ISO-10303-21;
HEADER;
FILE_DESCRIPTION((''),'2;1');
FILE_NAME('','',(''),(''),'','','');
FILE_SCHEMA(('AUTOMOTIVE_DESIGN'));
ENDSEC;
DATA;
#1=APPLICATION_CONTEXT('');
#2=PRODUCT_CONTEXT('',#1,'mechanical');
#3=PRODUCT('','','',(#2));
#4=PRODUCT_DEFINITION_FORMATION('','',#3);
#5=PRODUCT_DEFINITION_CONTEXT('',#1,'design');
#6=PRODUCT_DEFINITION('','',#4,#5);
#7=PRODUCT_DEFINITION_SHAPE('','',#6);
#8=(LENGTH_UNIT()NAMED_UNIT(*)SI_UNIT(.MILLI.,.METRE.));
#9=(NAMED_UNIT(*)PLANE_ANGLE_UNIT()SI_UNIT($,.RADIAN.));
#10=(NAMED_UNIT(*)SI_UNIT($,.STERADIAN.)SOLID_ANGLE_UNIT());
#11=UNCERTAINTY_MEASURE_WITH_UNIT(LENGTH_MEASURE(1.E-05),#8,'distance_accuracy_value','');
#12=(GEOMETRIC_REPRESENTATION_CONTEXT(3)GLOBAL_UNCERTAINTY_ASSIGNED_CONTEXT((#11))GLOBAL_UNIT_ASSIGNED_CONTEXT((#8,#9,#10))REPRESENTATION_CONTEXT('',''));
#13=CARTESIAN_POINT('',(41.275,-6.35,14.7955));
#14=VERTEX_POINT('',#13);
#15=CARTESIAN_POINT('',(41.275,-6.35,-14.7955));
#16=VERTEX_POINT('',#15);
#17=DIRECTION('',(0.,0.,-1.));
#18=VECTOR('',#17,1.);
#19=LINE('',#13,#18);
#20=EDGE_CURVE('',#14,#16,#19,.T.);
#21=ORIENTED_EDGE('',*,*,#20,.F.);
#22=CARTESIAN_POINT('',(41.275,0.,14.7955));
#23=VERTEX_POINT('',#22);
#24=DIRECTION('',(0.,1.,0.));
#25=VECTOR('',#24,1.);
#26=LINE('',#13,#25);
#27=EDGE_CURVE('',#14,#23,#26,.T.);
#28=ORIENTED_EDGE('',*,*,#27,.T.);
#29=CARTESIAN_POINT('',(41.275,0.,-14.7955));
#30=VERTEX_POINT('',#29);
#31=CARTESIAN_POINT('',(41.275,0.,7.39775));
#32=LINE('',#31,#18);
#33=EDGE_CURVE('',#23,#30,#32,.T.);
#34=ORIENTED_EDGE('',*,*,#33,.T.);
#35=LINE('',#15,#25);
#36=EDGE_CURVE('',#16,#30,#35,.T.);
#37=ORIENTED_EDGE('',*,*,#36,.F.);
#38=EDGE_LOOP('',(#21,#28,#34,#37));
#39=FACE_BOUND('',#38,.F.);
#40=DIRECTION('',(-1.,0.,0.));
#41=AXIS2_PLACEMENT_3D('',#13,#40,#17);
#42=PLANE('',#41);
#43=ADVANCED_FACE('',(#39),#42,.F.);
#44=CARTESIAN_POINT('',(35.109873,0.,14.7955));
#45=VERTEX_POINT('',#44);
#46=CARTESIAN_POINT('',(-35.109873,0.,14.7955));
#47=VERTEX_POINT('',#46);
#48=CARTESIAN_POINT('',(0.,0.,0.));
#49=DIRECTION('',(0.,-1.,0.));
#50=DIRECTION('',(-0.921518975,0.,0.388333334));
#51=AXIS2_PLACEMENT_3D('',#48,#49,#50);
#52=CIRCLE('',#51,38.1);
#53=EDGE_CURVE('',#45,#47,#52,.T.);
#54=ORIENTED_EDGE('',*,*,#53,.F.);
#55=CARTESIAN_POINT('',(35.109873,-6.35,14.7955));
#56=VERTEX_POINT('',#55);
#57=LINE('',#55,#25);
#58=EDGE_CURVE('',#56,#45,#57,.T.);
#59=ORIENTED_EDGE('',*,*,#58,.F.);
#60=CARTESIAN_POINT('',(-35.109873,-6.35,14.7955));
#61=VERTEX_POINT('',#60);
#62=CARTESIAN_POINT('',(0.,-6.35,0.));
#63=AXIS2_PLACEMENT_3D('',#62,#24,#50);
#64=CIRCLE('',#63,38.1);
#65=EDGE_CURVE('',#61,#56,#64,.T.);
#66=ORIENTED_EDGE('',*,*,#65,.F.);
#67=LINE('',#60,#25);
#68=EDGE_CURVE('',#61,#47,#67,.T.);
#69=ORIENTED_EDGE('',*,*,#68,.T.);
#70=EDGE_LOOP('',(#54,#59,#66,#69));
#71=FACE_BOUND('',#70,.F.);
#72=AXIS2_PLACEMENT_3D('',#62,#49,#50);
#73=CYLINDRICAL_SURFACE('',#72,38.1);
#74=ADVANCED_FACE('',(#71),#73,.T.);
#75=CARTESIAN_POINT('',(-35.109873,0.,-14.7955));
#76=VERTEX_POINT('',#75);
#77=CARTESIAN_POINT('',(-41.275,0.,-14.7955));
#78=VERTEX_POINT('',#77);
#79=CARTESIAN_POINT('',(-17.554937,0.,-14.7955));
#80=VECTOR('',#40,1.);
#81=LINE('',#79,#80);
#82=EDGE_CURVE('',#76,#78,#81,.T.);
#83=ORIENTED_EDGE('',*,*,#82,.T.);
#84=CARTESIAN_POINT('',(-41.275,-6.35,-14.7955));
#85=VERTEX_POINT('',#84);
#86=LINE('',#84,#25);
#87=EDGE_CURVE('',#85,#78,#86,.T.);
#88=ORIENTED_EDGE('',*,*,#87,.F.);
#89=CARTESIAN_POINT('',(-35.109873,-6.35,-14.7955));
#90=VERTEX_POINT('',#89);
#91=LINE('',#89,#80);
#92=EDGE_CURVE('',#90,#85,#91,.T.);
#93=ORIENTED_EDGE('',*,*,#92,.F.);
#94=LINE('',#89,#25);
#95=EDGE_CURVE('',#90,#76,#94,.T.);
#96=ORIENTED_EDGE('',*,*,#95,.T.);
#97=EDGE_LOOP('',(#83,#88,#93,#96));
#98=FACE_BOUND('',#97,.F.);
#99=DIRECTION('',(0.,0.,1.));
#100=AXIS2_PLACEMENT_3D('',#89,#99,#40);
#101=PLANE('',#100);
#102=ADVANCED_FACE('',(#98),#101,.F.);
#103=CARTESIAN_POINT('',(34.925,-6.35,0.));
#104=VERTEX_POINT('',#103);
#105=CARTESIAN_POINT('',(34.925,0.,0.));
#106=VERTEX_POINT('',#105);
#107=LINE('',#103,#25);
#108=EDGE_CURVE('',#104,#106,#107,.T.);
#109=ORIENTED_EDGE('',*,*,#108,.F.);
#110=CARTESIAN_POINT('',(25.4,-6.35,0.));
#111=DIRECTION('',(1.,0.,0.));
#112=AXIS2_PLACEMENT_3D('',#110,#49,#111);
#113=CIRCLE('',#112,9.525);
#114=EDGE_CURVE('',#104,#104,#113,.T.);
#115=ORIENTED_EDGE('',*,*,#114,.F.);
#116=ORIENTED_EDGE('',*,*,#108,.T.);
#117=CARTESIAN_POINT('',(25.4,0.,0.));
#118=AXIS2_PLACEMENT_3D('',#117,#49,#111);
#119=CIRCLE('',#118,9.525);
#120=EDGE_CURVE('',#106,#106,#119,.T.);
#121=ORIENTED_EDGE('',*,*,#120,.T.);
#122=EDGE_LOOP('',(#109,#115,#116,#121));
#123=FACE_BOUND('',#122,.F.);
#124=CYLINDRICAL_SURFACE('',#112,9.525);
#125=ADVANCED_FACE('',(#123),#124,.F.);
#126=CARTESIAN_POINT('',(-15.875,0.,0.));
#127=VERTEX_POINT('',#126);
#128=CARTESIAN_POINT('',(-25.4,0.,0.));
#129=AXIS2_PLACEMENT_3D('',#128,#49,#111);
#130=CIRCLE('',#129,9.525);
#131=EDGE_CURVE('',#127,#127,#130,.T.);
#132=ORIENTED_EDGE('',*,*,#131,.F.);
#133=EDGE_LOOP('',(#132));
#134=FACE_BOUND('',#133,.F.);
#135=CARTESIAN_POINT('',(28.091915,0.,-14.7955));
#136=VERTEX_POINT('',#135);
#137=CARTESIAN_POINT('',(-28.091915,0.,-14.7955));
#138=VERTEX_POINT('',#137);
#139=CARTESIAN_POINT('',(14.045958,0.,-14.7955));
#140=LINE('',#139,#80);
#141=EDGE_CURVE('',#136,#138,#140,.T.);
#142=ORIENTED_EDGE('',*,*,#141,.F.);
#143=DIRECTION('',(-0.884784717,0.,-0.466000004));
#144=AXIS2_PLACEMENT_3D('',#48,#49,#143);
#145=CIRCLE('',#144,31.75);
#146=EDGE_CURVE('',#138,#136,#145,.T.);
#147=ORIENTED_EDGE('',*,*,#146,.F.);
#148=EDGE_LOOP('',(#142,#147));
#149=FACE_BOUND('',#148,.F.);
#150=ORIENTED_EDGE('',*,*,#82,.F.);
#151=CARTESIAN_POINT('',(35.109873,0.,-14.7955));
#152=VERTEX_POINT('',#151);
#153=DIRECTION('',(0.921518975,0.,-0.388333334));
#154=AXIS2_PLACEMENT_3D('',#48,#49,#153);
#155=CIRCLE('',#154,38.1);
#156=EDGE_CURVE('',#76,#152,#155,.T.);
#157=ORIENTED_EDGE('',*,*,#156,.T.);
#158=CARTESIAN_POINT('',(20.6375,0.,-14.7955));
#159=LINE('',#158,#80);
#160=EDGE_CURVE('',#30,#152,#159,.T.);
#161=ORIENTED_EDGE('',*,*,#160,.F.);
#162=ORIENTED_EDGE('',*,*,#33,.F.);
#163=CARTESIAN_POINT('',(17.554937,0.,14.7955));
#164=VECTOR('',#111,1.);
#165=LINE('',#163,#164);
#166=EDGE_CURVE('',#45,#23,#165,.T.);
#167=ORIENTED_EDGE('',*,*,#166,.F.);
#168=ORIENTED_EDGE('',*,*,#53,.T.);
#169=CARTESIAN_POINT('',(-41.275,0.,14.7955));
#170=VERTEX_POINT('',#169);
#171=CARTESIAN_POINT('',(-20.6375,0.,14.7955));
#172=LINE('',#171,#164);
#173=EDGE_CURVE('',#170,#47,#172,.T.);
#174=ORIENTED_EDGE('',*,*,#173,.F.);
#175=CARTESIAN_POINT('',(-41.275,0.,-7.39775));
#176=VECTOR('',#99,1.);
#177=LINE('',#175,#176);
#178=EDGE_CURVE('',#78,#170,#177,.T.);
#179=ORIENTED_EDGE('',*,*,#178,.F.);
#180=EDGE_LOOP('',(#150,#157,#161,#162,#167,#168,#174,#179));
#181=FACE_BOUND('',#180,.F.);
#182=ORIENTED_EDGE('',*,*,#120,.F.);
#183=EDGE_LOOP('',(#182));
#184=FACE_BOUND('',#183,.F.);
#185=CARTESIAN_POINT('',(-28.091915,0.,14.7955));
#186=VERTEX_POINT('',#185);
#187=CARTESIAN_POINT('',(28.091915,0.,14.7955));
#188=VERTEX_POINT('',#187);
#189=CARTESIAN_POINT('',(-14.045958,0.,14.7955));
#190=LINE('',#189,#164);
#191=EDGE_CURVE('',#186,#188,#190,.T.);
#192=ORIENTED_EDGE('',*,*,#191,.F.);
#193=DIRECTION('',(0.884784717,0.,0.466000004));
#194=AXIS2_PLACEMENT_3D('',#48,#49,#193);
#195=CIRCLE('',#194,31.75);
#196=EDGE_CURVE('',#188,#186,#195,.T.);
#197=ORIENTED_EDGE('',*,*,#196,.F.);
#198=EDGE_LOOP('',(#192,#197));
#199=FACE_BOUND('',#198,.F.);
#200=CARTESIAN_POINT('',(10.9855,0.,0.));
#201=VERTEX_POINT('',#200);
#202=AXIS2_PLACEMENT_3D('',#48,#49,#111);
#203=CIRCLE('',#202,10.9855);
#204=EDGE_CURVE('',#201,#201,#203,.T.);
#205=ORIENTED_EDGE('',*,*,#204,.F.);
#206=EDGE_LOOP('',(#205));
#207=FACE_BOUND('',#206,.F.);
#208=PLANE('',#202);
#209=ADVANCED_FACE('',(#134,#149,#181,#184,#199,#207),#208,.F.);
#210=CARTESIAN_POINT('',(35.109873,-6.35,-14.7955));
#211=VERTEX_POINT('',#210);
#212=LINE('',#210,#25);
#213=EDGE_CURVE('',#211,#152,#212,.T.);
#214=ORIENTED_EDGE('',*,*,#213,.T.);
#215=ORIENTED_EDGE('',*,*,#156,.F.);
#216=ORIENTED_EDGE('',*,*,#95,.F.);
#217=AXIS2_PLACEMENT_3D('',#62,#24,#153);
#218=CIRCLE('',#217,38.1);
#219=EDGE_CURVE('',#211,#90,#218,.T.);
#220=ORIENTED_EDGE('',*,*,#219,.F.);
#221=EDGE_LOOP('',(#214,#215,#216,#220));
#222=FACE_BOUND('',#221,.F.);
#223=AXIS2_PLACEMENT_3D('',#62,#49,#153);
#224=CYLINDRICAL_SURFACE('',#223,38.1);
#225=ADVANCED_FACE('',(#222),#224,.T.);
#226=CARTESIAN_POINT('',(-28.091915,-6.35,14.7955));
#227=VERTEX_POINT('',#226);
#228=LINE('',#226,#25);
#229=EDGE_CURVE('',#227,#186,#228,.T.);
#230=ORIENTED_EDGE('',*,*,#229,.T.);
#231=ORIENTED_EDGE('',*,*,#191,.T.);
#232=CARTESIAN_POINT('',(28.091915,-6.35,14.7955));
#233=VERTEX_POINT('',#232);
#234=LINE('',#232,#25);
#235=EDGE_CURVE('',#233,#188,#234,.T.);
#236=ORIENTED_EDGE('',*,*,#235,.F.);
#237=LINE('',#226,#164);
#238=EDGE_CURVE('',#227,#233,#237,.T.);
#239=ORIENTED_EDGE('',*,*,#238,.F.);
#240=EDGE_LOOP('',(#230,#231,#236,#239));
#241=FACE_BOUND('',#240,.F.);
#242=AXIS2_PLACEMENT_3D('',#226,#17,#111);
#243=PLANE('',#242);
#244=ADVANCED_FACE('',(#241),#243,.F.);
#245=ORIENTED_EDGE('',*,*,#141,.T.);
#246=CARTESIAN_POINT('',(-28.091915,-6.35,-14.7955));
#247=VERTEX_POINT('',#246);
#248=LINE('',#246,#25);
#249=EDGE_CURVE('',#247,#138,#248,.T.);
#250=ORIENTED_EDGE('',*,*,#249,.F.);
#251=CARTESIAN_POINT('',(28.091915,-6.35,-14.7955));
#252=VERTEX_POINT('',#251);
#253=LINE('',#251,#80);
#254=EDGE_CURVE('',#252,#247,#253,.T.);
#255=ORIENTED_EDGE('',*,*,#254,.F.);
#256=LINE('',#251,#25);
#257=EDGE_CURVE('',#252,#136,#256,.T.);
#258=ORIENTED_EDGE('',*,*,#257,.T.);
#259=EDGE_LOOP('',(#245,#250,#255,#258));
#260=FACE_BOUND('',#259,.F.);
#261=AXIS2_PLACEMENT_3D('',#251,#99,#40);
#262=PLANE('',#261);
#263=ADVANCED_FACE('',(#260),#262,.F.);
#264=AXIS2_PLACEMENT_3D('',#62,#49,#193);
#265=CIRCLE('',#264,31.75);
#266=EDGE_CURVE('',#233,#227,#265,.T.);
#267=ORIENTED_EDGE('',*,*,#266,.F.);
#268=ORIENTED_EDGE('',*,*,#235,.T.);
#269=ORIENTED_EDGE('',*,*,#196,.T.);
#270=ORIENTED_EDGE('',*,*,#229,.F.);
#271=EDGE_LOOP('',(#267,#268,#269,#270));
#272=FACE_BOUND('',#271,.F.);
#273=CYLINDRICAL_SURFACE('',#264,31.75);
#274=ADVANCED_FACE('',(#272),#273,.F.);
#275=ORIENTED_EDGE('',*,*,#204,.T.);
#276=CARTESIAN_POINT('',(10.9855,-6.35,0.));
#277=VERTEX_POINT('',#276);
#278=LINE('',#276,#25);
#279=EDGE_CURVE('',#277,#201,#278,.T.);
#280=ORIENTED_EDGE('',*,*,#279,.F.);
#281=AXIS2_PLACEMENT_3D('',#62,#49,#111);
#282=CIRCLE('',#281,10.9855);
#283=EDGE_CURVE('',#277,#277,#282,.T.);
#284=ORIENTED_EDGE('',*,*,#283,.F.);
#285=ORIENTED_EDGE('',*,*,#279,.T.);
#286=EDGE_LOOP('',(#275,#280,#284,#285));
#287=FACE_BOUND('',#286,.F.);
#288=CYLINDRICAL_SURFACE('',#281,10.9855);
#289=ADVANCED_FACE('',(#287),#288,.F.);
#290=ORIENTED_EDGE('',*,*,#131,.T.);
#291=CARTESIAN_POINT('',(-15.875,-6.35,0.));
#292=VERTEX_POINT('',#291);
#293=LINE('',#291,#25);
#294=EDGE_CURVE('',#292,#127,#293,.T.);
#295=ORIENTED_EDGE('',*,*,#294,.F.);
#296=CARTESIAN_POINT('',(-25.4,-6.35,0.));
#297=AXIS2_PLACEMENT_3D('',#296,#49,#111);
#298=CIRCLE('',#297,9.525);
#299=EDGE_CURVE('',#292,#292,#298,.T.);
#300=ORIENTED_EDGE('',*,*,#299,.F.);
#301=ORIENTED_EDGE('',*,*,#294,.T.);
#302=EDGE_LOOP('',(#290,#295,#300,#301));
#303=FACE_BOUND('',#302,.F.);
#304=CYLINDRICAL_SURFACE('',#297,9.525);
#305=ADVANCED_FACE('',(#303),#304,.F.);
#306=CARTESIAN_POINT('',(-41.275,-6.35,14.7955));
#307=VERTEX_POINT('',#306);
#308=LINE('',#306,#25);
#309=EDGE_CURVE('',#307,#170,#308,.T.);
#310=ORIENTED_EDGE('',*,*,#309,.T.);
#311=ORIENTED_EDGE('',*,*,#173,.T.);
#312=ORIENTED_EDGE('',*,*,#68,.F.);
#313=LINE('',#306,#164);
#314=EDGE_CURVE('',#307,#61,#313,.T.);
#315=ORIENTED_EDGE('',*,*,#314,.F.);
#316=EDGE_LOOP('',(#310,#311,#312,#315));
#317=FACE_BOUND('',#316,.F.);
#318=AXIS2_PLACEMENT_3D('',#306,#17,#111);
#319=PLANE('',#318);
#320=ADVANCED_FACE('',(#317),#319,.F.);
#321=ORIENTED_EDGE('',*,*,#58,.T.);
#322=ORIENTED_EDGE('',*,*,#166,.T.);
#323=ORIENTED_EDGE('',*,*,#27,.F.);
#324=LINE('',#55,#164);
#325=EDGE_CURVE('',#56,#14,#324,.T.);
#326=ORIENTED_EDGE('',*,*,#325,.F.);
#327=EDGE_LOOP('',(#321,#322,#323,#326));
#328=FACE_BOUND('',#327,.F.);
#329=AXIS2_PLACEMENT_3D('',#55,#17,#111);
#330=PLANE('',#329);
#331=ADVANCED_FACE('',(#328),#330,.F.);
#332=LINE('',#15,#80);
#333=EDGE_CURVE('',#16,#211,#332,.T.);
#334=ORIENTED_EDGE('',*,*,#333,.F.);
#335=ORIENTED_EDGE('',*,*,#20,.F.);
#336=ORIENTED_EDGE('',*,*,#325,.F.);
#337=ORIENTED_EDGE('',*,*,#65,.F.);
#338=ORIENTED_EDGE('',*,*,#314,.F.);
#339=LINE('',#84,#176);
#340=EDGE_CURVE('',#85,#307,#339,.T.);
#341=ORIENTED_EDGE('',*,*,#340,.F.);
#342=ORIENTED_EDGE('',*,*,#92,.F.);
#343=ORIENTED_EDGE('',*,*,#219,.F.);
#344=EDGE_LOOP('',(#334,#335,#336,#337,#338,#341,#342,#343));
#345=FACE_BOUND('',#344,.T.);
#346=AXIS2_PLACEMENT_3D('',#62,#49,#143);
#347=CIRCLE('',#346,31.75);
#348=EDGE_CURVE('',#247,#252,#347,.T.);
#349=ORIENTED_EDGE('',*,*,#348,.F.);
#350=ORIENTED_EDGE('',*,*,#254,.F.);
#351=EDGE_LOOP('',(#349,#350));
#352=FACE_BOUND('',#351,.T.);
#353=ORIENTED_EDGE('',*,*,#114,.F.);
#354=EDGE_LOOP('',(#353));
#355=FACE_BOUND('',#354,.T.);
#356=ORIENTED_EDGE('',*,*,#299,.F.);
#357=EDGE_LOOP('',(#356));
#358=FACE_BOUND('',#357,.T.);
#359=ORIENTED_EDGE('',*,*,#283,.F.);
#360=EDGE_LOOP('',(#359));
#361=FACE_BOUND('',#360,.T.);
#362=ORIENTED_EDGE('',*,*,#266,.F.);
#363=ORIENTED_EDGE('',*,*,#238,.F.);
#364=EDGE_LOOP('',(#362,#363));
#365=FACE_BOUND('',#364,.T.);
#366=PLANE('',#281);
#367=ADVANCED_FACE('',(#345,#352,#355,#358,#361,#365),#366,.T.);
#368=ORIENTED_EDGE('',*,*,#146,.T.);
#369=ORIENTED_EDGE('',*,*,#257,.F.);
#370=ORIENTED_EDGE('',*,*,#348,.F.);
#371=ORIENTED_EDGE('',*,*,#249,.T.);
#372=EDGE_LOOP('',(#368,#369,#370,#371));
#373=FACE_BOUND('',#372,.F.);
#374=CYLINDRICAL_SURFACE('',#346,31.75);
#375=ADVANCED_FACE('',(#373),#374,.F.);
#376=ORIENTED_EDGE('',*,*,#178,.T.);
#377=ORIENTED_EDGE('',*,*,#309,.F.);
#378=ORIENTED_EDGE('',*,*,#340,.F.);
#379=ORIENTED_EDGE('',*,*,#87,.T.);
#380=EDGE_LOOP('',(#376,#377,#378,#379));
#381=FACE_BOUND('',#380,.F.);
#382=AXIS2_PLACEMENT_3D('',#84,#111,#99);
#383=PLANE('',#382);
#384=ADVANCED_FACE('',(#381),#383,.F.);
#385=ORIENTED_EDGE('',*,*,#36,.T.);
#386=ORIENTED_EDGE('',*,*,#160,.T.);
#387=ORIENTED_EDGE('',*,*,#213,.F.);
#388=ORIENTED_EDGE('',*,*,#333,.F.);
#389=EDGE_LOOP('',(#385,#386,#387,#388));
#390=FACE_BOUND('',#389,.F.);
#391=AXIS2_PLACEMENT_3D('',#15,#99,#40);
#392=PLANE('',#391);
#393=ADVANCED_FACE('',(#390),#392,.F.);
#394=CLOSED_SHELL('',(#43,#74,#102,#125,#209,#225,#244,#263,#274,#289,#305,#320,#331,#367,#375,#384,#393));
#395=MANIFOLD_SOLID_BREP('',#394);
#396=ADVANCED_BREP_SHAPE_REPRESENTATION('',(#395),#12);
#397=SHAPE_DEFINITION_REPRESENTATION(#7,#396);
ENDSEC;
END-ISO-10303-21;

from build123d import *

# Parameters (mm, degrees)
F0_W     = 101.6
F0_H     = 101.6
F1_DEPTH = 6.35
F2_W     = 101.6
F2_H     = 101.6
F2_R     = 9.525
F2_R_2   = 10.9855
F3_DEPTH = 25.4


with BuildPart() as f1:
    # F0 (on Front) → F1 (new body)
    with BuildSketch(Plane.XZ):
        Rectangle(F0_W, F0_H)
    extrude(amount=F1_DEPTH)

    # F2 (on face) → F3 (cut)
    with BuildSketch(Plane.XZ.offset(6.35)):
        Rectangle(F2_W, F2_H)
        with BuildLine():
            ThreePointArc((35.109873, -14.7955), (0, -38.1), (-35.109873, -14.7955))
            Line((-35.109873, -14.7955), (-41.275, -14.7955))
            Line((-41.275, -14.7955), (-41.275, 14.7955))
            Line((-41.275, 14.7955), (-35.109873, 14.7955))
            ThreePointArc((-35.109873, 14.7955), (0, 38.1), (35.109873, 14.7955))
            Line((35.109873, 14.7955), (41.275, 14.7955))
            Line((41.275, 14.7955), (41.275, -14.7955))
            Line((41.275, -14.7955), (35.109873, -14.7955))
        make_face(mode=Mode.SUBTRACT)
        with Locations((-25.4, 0)):
            Circle(F2_R)
        Circle(F2_R_2)
        with BuildLine():
            ThreePointArc((28.091915, 14.7955), (0, 31.75), (-28.091915, 14.7955))
            Line((-28.091915, 14.7955), (28.091915, 14.7955))
        make_face()
        with BuildLine():
            Line((28.091915, -14.7955), (-28.091915, -14.7955))
            ThreePointArc((-28.091915, -14.7955), (0, -31.75), (28.091915, -14.7955))
        make_face()
        with Locations((25.4, 0)):
            Circle(F2_R)
    extrude(amount=-F3_DEPTH, mode=Mode.SUBTRACT)


solid = f1.part
